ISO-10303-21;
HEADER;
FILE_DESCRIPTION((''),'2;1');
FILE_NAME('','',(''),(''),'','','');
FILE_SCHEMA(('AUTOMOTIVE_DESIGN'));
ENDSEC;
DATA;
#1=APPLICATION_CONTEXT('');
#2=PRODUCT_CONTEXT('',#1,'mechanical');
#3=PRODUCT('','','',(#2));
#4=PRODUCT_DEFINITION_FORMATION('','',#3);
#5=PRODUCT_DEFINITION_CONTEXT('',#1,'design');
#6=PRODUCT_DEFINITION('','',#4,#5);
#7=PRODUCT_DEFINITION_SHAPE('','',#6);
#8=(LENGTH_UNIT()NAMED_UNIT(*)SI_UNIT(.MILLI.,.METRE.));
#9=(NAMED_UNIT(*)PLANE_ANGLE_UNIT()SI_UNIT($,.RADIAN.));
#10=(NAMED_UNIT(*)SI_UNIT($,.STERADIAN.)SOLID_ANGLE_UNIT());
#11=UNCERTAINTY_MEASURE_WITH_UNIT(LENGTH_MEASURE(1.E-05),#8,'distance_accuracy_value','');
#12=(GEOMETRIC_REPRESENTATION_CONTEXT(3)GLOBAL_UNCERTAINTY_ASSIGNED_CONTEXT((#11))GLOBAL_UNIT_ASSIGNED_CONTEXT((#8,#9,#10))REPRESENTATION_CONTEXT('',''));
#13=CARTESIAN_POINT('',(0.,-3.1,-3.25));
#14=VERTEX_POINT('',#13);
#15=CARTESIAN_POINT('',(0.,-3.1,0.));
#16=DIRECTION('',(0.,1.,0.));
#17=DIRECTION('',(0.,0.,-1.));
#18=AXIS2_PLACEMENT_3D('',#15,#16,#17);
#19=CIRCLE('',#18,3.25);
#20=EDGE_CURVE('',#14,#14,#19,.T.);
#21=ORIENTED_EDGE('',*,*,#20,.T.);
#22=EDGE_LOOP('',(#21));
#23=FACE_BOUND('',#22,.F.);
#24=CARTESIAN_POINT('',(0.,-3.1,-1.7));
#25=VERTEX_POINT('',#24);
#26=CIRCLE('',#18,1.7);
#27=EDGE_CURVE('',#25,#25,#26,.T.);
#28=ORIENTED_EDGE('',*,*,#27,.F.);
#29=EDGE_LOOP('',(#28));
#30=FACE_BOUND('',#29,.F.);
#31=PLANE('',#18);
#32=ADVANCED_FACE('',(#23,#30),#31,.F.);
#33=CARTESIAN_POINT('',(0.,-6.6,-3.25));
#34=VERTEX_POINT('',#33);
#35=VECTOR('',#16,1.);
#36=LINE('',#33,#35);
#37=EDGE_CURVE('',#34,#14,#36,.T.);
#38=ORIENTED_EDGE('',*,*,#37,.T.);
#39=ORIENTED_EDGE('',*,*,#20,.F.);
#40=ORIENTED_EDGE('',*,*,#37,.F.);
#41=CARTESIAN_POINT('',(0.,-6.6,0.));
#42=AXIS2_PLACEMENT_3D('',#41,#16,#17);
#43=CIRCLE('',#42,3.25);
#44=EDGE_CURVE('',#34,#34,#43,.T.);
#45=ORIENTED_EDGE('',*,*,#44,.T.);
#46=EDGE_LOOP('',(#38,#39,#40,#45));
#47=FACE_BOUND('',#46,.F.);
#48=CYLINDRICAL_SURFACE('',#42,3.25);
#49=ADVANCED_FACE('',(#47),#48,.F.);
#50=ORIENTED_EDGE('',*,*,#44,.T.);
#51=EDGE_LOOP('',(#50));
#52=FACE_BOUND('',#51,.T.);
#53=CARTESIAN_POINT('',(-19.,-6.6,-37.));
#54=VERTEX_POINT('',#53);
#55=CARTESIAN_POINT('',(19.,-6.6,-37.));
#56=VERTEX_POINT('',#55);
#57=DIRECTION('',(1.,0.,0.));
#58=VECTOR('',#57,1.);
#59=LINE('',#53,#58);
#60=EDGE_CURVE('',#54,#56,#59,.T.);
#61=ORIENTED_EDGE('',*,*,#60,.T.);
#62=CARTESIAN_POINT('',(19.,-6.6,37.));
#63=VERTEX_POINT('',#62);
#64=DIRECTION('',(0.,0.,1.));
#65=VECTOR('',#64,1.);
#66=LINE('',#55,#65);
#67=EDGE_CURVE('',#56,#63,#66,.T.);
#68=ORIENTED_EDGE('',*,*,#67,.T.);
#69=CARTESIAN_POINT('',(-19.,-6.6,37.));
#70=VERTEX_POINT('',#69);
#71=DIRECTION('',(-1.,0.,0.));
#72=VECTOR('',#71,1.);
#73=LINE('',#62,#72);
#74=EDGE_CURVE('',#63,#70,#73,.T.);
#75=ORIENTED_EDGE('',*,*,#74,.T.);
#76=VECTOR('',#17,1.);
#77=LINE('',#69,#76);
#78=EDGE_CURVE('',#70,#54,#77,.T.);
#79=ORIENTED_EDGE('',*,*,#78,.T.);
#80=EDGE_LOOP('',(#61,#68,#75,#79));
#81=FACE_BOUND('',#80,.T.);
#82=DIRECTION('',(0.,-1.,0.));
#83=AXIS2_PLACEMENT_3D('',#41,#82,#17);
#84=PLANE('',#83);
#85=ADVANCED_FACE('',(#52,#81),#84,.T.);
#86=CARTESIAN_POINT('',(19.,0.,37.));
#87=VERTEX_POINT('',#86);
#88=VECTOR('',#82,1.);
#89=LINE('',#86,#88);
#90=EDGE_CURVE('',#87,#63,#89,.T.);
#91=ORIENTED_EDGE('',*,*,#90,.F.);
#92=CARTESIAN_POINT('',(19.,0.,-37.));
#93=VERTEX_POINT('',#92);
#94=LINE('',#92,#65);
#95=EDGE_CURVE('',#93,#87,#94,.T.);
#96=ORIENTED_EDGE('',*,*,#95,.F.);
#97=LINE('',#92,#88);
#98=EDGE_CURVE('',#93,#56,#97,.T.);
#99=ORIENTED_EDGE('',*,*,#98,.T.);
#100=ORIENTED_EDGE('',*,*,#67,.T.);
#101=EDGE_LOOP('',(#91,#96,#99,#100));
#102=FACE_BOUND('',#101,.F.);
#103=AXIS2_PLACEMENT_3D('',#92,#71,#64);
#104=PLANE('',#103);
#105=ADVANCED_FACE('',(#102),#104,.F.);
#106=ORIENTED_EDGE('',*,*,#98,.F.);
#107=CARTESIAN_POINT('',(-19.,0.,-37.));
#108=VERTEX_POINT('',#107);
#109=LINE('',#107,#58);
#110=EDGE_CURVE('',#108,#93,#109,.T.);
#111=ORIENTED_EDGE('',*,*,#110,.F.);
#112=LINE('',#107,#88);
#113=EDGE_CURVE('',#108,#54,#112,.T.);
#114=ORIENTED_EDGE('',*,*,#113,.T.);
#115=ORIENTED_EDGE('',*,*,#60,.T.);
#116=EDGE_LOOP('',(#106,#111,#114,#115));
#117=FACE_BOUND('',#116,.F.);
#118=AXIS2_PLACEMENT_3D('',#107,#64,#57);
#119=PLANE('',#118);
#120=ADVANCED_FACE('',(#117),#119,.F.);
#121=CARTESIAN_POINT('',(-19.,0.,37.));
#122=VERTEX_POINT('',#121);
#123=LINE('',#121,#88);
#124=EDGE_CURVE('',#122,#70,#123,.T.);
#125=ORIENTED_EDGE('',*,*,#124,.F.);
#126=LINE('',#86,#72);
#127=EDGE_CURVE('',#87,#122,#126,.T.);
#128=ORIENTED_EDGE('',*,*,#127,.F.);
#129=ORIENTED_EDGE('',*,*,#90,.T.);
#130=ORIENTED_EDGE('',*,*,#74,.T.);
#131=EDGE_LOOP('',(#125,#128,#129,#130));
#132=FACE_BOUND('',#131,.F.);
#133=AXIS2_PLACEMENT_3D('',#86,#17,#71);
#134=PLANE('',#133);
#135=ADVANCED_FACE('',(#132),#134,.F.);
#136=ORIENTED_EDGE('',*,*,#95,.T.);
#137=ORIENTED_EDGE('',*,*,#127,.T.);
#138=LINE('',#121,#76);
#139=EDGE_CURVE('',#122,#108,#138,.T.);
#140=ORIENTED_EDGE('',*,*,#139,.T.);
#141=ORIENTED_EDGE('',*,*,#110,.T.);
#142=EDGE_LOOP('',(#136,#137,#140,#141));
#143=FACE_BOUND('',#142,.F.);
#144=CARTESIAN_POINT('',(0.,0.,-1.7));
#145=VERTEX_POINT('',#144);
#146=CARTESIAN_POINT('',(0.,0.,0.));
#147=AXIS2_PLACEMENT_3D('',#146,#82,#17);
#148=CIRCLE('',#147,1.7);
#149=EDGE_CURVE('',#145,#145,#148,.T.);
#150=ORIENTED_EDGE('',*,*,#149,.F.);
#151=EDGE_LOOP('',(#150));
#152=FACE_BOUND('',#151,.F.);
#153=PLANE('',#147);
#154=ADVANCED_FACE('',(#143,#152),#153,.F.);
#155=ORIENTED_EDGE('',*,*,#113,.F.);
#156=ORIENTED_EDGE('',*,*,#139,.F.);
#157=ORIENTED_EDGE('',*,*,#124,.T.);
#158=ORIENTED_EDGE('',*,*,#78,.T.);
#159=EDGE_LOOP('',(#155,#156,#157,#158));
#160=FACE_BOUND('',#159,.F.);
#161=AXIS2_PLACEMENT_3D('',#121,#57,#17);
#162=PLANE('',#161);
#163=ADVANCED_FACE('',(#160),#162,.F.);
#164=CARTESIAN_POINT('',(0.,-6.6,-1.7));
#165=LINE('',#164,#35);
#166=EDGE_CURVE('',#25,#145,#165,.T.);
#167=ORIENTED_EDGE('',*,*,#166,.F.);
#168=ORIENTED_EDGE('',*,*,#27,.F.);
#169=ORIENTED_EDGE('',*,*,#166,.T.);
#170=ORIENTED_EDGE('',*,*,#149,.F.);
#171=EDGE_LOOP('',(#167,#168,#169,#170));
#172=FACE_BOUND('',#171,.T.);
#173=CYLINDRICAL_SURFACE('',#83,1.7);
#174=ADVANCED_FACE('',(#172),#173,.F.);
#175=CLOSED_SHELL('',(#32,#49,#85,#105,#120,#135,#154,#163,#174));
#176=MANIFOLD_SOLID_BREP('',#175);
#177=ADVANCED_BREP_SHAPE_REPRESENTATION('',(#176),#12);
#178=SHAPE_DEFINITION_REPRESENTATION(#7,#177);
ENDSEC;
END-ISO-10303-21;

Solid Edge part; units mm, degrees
sketch "Sketch1" plane through (0, 0, 0) normal (0, -1, 0) x (1, 0, 0)
  line L0 (19, 37) -> (-19, 37)
  line L1 (-19, 37) -> (-19, -37)
  line L2 (-19, -37) -> (19, -37)
  line L3 (19, -37) -> (19, 37)
extrude "Protrusion1" add sketch "Sketch1" along normal blind 6.6
hole "Hole_1" at (0, -6.6, 0) direction (0, 1, 0) diameter 3.4 end up to next counterbore diameter 6.5 counterbore depth 3.5
